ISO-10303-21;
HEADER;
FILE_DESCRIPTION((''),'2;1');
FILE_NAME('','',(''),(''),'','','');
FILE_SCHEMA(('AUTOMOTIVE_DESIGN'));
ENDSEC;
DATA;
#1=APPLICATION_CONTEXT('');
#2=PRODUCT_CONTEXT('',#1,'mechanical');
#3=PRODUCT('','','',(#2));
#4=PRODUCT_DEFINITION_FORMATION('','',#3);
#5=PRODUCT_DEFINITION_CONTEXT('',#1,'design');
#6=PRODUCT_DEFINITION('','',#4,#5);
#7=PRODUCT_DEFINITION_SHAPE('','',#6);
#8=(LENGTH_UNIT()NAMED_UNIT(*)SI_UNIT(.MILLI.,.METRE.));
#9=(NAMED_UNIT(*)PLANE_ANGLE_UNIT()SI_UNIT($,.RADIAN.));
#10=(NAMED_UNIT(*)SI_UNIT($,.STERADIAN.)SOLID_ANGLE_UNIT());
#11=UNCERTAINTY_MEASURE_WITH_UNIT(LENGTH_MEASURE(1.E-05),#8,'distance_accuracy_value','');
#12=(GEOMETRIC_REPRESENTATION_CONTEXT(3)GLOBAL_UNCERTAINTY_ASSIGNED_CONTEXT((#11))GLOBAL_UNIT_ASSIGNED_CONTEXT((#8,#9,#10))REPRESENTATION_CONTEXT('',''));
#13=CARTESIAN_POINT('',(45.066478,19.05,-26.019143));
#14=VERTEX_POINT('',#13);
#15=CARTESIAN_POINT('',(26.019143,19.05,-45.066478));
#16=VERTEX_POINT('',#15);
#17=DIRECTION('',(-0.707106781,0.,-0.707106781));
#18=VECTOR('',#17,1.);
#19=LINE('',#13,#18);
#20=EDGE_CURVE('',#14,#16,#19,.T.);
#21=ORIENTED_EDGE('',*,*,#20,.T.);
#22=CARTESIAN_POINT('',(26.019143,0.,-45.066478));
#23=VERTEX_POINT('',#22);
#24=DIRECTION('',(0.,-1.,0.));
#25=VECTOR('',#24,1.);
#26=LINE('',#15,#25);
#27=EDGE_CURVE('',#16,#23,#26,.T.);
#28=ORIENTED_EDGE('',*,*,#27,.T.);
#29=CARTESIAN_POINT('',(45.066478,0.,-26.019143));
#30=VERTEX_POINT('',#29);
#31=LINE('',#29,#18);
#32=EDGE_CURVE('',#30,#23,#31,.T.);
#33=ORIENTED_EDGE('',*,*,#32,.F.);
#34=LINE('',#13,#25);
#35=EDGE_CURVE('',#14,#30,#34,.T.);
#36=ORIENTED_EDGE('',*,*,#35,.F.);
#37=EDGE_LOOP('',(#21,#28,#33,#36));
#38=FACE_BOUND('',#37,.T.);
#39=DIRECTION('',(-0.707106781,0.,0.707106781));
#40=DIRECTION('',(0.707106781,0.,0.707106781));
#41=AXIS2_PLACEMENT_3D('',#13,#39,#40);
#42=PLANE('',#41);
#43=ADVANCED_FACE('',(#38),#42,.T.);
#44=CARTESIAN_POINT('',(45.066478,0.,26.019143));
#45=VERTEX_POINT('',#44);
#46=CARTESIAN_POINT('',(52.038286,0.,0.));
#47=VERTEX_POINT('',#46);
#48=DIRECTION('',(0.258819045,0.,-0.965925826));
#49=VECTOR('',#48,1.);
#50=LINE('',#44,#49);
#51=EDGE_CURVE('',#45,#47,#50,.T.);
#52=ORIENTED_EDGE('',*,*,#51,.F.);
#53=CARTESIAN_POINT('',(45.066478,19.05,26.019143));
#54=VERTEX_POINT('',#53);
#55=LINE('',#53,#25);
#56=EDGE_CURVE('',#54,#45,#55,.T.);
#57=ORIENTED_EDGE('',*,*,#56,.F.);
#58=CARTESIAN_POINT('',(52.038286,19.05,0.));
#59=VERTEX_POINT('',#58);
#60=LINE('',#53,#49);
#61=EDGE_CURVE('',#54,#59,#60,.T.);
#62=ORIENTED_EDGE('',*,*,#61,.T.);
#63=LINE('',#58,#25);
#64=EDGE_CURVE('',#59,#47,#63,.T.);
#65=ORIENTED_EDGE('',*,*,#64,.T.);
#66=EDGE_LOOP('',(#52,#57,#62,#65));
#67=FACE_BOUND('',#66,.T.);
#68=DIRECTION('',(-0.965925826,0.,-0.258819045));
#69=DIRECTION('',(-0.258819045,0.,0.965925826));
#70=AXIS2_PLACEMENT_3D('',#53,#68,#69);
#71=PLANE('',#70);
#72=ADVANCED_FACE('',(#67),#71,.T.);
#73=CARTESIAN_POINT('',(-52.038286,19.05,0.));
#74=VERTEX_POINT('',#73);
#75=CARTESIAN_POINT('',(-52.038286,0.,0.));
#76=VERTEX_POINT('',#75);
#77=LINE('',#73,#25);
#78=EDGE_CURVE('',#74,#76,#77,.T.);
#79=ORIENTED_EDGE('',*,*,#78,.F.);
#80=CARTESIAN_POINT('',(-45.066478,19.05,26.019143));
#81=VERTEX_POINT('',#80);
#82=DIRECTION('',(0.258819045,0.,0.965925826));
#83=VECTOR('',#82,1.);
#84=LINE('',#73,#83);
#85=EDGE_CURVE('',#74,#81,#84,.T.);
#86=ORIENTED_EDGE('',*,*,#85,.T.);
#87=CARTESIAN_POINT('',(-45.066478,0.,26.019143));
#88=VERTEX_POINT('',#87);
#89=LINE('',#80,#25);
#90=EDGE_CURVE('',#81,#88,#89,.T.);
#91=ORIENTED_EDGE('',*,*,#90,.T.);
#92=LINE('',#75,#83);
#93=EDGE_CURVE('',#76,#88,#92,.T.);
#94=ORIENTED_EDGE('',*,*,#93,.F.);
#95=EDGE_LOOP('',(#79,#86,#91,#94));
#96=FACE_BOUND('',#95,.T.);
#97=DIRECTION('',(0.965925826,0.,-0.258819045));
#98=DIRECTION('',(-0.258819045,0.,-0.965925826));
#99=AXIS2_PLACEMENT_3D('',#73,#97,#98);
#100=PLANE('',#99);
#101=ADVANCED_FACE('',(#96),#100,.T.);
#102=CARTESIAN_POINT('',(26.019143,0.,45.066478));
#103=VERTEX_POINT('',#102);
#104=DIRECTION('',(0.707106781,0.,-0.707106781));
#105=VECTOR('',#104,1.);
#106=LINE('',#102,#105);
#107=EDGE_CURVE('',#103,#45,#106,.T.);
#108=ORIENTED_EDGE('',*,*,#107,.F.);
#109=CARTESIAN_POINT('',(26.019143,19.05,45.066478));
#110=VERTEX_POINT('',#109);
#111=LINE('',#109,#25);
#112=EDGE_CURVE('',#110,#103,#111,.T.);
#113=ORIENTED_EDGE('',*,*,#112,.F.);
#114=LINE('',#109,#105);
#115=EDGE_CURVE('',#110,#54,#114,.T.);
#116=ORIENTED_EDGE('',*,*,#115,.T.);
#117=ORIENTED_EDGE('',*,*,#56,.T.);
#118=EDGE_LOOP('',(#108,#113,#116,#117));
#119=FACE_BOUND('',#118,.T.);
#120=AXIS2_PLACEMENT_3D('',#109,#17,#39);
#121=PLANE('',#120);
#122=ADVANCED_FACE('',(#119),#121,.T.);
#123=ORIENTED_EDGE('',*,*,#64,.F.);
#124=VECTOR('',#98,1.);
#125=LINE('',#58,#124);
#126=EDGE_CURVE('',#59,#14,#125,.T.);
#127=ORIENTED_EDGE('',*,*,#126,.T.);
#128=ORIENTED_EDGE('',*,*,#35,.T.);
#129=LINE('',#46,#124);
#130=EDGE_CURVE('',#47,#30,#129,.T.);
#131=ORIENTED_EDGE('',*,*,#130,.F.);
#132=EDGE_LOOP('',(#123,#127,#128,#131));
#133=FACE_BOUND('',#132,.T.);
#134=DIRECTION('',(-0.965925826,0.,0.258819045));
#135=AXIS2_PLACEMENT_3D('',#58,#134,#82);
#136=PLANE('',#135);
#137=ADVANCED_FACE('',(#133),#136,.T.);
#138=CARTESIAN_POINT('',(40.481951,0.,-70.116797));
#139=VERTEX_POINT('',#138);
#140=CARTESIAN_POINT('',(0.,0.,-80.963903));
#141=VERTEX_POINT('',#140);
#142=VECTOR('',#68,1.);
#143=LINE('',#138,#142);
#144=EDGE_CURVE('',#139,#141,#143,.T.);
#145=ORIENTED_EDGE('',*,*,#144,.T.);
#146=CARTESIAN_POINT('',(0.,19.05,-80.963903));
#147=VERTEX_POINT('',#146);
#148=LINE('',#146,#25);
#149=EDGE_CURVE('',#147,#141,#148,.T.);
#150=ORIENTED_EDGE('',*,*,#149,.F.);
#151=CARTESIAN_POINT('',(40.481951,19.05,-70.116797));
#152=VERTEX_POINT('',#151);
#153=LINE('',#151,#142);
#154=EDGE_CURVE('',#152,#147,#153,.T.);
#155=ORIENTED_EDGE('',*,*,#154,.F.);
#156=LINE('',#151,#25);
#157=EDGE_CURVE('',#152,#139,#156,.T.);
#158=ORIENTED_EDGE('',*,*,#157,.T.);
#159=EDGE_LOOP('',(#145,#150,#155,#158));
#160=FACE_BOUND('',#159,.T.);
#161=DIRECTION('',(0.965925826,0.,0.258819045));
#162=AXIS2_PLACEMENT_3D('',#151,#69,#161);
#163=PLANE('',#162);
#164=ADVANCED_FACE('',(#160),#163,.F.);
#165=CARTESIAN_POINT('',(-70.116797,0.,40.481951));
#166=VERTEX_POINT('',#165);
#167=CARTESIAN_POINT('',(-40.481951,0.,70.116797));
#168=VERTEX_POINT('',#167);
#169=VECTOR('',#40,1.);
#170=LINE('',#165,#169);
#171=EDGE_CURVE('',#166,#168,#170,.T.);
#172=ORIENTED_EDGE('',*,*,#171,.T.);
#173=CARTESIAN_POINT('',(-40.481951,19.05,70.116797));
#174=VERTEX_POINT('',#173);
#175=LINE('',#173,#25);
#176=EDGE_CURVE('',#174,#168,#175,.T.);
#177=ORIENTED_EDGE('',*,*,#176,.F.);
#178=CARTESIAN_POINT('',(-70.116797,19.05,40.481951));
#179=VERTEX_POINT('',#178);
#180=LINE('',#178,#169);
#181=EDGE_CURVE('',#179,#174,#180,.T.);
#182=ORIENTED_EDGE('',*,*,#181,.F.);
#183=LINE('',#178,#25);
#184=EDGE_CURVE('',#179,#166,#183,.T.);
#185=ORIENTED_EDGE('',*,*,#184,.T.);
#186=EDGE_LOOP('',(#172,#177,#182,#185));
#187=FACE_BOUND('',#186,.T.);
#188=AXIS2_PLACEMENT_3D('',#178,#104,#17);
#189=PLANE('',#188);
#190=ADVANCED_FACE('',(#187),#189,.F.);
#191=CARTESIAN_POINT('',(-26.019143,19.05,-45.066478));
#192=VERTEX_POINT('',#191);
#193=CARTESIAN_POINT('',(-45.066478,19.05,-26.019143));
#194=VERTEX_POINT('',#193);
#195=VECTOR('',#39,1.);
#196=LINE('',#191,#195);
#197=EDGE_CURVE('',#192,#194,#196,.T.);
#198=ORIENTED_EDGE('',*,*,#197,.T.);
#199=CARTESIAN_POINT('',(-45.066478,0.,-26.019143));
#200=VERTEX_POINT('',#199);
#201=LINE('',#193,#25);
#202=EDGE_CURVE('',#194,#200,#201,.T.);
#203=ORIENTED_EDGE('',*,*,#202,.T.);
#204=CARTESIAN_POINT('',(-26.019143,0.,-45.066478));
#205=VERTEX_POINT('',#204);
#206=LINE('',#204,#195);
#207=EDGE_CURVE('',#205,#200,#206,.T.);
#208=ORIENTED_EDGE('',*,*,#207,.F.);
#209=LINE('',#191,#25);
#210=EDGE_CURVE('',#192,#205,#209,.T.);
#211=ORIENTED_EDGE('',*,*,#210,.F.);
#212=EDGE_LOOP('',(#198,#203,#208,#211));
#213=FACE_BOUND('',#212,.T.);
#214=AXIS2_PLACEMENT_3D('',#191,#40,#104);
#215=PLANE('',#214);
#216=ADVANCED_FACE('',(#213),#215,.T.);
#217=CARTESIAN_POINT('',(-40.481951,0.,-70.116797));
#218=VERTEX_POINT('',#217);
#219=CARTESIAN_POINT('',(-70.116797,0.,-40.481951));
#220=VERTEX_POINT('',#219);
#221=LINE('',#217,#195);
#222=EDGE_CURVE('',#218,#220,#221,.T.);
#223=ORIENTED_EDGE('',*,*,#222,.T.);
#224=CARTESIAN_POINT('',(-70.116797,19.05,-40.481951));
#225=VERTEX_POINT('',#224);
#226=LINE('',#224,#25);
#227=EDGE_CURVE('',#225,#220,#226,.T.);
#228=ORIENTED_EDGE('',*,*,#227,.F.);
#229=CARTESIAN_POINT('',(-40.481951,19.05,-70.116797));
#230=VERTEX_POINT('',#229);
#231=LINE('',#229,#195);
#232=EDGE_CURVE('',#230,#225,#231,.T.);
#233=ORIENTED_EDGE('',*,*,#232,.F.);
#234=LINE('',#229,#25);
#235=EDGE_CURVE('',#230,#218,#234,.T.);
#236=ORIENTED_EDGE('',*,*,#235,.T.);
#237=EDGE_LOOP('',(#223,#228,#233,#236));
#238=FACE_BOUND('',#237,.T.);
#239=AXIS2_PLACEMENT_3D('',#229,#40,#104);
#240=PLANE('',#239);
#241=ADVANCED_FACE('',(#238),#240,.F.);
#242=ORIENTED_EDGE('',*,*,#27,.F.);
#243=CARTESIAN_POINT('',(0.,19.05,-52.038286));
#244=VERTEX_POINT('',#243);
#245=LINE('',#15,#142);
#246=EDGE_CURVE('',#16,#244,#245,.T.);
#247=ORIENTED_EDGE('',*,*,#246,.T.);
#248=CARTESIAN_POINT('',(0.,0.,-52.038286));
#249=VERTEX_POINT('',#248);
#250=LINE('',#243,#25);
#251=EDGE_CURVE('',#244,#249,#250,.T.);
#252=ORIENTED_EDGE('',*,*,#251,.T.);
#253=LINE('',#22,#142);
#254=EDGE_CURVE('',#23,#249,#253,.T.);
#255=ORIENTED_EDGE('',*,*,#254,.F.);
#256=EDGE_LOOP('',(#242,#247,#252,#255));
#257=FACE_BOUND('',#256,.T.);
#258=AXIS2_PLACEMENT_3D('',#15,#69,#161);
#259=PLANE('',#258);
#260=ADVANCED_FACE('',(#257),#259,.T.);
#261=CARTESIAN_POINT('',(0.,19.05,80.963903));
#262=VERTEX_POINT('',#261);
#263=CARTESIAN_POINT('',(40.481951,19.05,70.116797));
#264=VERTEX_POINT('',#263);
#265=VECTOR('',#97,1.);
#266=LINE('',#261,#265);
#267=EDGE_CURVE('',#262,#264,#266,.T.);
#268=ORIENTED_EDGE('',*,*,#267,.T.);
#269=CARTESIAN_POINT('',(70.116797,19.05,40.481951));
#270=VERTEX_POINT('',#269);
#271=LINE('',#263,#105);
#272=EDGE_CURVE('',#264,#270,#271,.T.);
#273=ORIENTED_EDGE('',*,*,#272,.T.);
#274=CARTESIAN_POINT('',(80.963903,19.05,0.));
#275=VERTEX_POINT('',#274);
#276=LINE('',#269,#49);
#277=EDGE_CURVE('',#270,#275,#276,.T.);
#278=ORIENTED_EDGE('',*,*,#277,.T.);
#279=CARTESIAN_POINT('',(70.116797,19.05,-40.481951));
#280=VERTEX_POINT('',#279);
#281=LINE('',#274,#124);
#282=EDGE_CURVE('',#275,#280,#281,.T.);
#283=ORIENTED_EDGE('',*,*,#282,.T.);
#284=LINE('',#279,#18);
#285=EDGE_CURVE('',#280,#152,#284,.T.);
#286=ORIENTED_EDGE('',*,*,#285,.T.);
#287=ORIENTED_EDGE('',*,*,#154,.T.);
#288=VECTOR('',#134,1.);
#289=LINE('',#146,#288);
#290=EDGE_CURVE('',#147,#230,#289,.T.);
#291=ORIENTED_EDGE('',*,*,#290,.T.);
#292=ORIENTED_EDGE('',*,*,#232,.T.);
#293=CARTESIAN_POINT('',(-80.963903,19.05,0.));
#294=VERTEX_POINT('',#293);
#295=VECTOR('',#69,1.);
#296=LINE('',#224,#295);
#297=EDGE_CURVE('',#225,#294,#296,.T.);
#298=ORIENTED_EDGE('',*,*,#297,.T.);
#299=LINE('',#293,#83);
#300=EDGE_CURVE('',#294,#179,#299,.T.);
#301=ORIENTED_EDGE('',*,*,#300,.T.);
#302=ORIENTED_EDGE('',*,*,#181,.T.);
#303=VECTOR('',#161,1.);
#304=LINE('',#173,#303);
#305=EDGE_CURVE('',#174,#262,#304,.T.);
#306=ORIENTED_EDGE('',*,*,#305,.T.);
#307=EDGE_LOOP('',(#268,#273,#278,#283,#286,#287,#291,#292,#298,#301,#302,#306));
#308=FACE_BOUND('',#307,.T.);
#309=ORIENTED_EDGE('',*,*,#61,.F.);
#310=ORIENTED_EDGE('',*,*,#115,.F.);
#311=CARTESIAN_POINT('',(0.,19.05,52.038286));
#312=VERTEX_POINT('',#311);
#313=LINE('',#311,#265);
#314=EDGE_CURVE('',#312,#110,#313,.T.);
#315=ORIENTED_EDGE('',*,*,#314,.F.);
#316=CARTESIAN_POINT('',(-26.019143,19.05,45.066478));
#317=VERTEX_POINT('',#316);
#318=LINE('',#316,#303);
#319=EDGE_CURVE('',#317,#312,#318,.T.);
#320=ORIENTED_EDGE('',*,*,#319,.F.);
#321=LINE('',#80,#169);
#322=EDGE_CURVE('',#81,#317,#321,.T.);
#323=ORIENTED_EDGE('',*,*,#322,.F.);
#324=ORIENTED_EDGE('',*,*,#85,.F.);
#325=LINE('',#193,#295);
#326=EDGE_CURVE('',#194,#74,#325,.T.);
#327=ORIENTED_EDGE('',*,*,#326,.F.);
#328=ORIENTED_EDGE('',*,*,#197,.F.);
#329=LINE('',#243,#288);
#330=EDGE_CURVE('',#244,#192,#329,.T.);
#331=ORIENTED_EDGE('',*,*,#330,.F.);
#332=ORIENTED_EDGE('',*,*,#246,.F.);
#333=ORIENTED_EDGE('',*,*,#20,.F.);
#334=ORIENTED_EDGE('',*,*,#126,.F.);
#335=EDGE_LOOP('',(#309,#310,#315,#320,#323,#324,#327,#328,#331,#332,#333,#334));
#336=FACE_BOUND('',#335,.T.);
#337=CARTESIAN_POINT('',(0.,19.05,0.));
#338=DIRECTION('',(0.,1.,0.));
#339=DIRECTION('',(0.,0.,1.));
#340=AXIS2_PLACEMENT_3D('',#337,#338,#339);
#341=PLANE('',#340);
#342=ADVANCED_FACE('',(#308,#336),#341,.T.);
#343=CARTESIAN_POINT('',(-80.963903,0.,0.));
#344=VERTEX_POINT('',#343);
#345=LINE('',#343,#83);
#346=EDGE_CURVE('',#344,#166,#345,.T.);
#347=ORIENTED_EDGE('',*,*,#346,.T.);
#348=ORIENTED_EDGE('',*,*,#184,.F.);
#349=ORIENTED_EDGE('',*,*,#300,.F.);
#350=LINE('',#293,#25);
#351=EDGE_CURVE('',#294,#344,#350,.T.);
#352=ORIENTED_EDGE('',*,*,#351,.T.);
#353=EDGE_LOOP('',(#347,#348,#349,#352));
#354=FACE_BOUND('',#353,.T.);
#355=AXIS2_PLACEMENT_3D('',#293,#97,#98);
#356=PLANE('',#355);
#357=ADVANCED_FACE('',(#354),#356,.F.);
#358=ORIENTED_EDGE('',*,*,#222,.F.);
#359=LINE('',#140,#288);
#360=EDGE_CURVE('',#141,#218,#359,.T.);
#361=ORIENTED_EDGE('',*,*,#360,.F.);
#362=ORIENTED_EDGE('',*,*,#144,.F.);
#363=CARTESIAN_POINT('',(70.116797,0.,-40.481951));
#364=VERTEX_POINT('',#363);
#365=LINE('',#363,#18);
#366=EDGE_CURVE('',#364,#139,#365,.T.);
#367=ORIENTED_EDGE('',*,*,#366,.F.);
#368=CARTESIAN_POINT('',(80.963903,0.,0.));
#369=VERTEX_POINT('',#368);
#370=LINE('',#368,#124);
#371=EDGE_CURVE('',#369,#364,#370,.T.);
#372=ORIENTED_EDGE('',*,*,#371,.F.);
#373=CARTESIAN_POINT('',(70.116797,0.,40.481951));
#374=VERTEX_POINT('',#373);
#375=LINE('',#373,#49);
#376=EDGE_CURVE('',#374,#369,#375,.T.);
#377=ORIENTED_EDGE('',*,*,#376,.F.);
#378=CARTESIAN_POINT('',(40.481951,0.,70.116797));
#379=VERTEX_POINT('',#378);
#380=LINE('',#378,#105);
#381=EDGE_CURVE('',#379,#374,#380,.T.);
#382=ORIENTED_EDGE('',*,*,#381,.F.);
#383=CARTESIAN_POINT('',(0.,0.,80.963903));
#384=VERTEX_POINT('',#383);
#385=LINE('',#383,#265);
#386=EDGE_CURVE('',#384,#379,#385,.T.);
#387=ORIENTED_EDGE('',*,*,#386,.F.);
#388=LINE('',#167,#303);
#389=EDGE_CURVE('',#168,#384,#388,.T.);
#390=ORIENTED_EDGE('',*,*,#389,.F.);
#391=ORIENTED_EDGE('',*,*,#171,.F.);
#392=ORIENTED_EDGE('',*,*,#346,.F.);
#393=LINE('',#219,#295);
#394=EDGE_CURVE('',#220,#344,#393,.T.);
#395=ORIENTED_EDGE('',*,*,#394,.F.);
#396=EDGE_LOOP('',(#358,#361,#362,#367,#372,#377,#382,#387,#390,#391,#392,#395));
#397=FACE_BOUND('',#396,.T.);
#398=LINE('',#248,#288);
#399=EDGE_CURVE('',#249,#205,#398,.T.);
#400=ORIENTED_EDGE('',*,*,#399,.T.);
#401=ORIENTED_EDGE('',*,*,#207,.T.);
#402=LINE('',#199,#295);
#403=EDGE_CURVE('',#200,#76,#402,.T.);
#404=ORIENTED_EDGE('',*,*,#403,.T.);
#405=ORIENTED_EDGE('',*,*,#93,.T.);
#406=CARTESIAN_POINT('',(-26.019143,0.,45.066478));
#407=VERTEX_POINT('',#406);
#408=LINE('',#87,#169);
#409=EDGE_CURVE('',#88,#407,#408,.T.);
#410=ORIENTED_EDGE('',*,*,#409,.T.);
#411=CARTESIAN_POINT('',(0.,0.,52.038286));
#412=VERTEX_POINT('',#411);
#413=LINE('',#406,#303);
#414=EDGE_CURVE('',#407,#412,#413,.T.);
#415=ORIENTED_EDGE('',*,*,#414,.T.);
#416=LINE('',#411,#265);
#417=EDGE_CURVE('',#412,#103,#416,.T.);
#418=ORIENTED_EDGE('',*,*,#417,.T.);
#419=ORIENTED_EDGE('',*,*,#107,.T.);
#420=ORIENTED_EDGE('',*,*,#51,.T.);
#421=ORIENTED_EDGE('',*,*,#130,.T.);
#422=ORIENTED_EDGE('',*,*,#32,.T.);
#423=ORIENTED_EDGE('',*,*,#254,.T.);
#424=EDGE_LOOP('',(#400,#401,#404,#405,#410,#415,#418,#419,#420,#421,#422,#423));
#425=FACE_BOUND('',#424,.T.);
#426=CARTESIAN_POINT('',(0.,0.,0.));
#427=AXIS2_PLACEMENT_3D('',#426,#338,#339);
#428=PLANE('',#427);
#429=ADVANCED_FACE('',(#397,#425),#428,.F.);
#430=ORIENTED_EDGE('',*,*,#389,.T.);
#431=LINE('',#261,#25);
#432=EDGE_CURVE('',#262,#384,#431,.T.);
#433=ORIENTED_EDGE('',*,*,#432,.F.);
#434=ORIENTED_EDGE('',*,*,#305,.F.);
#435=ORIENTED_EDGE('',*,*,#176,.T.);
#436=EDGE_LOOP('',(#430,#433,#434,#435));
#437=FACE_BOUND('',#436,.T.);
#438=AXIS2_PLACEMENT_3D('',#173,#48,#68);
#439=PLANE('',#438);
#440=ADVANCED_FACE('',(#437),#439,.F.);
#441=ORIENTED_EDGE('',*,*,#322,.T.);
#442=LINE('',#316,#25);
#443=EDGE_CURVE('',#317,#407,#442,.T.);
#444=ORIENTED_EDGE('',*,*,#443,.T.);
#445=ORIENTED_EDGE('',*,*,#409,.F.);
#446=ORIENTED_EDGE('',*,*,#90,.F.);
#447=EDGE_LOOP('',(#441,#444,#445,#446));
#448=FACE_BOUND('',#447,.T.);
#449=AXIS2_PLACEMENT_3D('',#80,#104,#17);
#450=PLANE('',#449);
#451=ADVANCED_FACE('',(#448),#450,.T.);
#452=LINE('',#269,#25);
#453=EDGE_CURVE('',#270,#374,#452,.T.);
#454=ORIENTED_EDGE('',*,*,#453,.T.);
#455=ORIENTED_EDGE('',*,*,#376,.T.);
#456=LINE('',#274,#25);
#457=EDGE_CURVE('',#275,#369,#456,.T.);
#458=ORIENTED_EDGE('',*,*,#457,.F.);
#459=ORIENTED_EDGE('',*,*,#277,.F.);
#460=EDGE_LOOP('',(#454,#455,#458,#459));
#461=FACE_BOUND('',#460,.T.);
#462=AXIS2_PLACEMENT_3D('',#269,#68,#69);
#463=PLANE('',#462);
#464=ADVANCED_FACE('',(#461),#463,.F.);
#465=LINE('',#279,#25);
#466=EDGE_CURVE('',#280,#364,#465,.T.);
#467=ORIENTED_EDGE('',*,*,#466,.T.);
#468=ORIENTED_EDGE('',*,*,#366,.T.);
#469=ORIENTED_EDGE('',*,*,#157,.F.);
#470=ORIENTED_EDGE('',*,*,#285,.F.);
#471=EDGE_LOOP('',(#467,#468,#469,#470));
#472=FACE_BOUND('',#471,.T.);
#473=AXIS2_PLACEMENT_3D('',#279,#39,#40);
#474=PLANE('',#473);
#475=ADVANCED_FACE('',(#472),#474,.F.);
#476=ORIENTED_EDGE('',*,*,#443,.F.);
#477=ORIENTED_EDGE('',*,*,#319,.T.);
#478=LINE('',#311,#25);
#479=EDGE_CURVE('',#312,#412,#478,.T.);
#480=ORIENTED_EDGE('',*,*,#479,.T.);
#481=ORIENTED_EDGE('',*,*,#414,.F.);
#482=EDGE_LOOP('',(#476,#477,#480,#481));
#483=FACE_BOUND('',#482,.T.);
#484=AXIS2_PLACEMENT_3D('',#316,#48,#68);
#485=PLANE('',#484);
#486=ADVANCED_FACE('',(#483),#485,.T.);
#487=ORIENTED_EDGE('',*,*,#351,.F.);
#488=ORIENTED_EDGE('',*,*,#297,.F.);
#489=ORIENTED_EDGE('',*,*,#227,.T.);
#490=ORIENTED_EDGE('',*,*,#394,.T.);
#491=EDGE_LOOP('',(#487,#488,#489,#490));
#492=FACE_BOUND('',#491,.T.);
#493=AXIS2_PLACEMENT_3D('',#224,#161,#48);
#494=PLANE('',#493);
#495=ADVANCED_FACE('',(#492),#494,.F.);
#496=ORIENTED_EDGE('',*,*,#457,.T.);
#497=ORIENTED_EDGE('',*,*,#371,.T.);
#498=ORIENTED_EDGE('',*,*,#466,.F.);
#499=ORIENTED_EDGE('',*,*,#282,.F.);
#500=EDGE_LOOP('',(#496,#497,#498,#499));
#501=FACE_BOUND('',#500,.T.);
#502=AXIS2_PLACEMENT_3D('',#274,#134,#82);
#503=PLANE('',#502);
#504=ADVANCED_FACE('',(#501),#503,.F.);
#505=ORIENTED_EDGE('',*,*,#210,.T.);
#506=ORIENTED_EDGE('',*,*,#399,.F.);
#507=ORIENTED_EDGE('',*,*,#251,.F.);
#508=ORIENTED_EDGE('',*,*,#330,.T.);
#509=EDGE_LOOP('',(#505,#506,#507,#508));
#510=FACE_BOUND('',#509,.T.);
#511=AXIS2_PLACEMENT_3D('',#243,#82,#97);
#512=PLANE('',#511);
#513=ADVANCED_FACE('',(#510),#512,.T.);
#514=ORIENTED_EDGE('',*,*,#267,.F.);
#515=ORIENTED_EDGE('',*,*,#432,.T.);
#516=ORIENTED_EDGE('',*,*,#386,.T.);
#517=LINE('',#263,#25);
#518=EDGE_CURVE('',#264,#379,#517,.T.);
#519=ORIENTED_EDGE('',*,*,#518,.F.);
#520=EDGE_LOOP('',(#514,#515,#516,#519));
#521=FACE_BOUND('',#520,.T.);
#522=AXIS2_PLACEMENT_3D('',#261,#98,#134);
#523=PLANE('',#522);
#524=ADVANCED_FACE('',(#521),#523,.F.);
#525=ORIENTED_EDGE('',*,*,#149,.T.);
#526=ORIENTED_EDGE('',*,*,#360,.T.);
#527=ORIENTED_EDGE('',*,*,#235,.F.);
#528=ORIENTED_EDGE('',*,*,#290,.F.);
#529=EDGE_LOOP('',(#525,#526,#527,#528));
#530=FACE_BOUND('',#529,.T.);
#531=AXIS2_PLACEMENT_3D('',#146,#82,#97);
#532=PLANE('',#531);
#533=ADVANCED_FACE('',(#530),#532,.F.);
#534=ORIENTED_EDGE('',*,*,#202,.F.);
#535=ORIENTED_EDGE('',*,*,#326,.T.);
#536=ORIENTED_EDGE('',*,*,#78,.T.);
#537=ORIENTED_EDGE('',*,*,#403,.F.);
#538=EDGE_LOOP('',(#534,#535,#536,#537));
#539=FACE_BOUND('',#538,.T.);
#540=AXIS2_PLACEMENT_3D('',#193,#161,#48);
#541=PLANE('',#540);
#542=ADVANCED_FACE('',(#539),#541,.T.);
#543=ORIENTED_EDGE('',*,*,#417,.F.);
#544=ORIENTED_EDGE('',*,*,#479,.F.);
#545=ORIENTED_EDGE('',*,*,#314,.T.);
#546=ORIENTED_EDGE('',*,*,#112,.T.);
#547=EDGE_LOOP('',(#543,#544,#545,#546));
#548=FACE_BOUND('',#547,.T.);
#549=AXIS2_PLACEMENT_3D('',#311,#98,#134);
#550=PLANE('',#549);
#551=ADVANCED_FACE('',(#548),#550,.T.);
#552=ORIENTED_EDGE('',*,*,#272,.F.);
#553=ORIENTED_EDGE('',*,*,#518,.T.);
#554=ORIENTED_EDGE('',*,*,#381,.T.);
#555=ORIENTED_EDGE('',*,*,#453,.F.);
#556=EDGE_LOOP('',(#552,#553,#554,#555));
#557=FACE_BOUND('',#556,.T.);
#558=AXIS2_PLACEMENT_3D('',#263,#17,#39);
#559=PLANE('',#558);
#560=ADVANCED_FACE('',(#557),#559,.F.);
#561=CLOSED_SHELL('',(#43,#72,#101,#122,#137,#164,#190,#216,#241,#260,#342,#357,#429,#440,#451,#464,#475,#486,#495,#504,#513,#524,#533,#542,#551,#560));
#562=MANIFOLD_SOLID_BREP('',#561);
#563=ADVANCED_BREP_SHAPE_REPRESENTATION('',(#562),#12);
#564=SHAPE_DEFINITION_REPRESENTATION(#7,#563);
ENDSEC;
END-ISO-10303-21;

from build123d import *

# Parameters (mm, degrees)
BOSS_EXTRUDE1_DEPTH = 19.05


with BuildPart() as part:
    # Sketch1 → Boss-Extrude1 (new body)
    with BuildSketch(Plane(origin=(0, 0, 0), x_dir=(1, 0, 0), z_dir=(0, 1, 0))):
        Polygon((80.96390276, 0), (70.116796579, 40.48195138), (40.48195138, 70.116796579), (0, 80.96390276), (-40.48195138, 70.116796579), (-70.116796579, 40.48195138), (-80.96390276, 0), (-70.116796579, -40.48195138), (-40.48195138, -70.116796579), (0, -80.96390276), (40.48195138, -70.116796579), (70.116796579, -40.48195138), align=None)
        Polygon((52.038286279, 0), (45.066477887, 26.019143139), (26.019143139, 45.066477887), (0, 52.038286279), (-26.019143139, 45.066477887), (-45.066477887, 26.019143139), (-52.038286279, 0), (-45.066477887, -26.019143139), (-26.019143139, -45.066477887), (0, -52.038286279), (26.019143139, -45.066477887), (45.066477887, -26.019143139), align=None, mode=Mode.SUBTRACT)
    extrude(amount=BOSS_EXTRUDE1_DEPTH)


solid = part.part
